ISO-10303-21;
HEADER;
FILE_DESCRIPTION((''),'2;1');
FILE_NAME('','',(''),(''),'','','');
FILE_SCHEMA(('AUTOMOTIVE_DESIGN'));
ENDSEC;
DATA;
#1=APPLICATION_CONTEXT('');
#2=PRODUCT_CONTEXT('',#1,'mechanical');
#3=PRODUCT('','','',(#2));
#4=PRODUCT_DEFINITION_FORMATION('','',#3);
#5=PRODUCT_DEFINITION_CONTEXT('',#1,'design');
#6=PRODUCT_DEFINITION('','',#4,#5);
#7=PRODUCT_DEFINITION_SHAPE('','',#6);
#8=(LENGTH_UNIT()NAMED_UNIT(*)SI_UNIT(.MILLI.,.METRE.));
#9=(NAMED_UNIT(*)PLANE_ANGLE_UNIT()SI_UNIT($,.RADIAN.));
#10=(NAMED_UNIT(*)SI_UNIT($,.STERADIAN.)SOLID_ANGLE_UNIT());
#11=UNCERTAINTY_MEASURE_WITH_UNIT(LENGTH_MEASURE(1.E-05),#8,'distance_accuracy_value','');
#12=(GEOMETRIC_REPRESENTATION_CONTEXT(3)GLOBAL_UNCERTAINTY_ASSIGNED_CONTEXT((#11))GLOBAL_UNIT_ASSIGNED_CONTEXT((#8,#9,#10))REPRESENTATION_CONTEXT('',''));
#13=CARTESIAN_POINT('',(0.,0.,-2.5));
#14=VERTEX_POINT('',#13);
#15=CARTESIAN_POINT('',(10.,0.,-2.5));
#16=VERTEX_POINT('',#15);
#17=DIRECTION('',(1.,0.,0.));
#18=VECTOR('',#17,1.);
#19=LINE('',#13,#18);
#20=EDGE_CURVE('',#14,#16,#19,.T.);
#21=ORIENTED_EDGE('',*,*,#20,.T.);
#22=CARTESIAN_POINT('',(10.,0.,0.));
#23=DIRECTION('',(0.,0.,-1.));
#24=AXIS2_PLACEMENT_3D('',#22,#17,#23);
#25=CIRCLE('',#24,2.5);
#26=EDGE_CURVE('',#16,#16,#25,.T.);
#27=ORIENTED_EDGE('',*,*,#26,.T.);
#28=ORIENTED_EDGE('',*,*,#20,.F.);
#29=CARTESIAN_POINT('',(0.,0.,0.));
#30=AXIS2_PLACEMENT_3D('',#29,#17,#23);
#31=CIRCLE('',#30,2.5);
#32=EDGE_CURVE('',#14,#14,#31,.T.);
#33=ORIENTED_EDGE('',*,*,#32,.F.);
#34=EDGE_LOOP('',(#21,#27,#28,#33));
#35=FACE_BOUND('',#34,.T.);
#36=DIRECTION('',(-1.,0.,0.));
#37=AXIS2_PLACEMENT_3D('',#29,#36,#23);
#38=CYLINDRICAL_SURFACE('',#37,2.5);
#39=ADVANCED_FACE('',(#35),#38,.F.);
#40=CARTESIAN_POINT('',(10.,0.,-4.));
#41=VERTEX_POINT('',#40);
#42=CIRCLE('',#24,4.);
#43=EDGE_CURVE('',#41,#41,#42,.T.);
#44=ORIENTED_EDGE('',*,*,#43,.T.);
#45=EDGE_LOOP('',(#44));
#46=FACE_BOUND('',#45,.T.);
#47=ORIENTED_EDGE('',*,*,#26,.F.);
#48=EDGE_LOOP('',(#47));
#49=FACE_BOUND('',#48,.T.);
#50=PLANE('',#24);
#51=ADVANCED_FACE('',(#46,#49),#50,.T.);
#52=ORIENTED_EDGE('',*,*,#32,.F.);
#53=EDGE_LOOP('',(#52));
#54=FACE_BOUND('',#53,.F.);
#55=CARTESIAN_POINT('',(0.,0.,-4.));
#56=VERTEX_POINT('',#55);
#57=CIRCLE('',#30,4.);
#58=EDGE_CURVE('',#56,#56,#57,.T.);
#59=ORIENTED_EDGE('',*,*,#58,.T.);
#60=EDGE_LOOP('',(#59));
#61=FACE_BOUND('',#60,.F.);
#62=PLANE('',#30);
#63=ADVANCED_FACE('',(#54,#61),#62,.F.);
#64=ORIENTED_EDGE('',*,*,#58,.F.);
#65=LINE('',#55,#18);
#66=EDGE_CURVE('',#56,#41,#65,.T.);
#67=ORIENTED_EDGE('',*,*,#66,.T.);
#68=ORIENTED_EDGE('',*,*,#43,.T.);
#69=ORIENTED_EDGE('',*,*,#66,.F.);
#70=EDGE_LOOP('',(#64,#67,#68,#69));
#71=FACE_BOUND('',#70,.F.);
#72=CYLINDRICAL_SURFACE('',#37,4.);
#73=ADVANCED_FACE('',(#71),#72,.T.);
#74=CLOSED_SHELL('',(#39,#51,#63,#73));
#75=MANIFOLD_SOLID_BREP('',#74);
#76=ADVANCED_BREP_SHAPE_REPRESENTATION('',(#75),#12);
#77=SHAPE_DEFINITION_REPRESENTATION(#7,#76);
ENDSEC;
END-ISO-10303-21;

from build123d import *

# Parameters (mm, degrees)
SKETCH_1_R      = 4
SKETCH_1_R_2    = 2.5
EXTRUDE_1_DEPTH = 10


with BuildPart() as part:
    # 草图1 → 凸台-拉伸1 (new body)
    with BuildSketch(Plane(origin=(0, 0, 0), x_dir=(0, 0, -1), z_dir=(1, 0, 0))):
        Circle(SKETCH_1_R)
        Circle(SKETCH_1_R_2, mode=Mode.SUBTRACT)
    extrude(amount=EXTRUDE_1_DEPTH)


solid = part.part
